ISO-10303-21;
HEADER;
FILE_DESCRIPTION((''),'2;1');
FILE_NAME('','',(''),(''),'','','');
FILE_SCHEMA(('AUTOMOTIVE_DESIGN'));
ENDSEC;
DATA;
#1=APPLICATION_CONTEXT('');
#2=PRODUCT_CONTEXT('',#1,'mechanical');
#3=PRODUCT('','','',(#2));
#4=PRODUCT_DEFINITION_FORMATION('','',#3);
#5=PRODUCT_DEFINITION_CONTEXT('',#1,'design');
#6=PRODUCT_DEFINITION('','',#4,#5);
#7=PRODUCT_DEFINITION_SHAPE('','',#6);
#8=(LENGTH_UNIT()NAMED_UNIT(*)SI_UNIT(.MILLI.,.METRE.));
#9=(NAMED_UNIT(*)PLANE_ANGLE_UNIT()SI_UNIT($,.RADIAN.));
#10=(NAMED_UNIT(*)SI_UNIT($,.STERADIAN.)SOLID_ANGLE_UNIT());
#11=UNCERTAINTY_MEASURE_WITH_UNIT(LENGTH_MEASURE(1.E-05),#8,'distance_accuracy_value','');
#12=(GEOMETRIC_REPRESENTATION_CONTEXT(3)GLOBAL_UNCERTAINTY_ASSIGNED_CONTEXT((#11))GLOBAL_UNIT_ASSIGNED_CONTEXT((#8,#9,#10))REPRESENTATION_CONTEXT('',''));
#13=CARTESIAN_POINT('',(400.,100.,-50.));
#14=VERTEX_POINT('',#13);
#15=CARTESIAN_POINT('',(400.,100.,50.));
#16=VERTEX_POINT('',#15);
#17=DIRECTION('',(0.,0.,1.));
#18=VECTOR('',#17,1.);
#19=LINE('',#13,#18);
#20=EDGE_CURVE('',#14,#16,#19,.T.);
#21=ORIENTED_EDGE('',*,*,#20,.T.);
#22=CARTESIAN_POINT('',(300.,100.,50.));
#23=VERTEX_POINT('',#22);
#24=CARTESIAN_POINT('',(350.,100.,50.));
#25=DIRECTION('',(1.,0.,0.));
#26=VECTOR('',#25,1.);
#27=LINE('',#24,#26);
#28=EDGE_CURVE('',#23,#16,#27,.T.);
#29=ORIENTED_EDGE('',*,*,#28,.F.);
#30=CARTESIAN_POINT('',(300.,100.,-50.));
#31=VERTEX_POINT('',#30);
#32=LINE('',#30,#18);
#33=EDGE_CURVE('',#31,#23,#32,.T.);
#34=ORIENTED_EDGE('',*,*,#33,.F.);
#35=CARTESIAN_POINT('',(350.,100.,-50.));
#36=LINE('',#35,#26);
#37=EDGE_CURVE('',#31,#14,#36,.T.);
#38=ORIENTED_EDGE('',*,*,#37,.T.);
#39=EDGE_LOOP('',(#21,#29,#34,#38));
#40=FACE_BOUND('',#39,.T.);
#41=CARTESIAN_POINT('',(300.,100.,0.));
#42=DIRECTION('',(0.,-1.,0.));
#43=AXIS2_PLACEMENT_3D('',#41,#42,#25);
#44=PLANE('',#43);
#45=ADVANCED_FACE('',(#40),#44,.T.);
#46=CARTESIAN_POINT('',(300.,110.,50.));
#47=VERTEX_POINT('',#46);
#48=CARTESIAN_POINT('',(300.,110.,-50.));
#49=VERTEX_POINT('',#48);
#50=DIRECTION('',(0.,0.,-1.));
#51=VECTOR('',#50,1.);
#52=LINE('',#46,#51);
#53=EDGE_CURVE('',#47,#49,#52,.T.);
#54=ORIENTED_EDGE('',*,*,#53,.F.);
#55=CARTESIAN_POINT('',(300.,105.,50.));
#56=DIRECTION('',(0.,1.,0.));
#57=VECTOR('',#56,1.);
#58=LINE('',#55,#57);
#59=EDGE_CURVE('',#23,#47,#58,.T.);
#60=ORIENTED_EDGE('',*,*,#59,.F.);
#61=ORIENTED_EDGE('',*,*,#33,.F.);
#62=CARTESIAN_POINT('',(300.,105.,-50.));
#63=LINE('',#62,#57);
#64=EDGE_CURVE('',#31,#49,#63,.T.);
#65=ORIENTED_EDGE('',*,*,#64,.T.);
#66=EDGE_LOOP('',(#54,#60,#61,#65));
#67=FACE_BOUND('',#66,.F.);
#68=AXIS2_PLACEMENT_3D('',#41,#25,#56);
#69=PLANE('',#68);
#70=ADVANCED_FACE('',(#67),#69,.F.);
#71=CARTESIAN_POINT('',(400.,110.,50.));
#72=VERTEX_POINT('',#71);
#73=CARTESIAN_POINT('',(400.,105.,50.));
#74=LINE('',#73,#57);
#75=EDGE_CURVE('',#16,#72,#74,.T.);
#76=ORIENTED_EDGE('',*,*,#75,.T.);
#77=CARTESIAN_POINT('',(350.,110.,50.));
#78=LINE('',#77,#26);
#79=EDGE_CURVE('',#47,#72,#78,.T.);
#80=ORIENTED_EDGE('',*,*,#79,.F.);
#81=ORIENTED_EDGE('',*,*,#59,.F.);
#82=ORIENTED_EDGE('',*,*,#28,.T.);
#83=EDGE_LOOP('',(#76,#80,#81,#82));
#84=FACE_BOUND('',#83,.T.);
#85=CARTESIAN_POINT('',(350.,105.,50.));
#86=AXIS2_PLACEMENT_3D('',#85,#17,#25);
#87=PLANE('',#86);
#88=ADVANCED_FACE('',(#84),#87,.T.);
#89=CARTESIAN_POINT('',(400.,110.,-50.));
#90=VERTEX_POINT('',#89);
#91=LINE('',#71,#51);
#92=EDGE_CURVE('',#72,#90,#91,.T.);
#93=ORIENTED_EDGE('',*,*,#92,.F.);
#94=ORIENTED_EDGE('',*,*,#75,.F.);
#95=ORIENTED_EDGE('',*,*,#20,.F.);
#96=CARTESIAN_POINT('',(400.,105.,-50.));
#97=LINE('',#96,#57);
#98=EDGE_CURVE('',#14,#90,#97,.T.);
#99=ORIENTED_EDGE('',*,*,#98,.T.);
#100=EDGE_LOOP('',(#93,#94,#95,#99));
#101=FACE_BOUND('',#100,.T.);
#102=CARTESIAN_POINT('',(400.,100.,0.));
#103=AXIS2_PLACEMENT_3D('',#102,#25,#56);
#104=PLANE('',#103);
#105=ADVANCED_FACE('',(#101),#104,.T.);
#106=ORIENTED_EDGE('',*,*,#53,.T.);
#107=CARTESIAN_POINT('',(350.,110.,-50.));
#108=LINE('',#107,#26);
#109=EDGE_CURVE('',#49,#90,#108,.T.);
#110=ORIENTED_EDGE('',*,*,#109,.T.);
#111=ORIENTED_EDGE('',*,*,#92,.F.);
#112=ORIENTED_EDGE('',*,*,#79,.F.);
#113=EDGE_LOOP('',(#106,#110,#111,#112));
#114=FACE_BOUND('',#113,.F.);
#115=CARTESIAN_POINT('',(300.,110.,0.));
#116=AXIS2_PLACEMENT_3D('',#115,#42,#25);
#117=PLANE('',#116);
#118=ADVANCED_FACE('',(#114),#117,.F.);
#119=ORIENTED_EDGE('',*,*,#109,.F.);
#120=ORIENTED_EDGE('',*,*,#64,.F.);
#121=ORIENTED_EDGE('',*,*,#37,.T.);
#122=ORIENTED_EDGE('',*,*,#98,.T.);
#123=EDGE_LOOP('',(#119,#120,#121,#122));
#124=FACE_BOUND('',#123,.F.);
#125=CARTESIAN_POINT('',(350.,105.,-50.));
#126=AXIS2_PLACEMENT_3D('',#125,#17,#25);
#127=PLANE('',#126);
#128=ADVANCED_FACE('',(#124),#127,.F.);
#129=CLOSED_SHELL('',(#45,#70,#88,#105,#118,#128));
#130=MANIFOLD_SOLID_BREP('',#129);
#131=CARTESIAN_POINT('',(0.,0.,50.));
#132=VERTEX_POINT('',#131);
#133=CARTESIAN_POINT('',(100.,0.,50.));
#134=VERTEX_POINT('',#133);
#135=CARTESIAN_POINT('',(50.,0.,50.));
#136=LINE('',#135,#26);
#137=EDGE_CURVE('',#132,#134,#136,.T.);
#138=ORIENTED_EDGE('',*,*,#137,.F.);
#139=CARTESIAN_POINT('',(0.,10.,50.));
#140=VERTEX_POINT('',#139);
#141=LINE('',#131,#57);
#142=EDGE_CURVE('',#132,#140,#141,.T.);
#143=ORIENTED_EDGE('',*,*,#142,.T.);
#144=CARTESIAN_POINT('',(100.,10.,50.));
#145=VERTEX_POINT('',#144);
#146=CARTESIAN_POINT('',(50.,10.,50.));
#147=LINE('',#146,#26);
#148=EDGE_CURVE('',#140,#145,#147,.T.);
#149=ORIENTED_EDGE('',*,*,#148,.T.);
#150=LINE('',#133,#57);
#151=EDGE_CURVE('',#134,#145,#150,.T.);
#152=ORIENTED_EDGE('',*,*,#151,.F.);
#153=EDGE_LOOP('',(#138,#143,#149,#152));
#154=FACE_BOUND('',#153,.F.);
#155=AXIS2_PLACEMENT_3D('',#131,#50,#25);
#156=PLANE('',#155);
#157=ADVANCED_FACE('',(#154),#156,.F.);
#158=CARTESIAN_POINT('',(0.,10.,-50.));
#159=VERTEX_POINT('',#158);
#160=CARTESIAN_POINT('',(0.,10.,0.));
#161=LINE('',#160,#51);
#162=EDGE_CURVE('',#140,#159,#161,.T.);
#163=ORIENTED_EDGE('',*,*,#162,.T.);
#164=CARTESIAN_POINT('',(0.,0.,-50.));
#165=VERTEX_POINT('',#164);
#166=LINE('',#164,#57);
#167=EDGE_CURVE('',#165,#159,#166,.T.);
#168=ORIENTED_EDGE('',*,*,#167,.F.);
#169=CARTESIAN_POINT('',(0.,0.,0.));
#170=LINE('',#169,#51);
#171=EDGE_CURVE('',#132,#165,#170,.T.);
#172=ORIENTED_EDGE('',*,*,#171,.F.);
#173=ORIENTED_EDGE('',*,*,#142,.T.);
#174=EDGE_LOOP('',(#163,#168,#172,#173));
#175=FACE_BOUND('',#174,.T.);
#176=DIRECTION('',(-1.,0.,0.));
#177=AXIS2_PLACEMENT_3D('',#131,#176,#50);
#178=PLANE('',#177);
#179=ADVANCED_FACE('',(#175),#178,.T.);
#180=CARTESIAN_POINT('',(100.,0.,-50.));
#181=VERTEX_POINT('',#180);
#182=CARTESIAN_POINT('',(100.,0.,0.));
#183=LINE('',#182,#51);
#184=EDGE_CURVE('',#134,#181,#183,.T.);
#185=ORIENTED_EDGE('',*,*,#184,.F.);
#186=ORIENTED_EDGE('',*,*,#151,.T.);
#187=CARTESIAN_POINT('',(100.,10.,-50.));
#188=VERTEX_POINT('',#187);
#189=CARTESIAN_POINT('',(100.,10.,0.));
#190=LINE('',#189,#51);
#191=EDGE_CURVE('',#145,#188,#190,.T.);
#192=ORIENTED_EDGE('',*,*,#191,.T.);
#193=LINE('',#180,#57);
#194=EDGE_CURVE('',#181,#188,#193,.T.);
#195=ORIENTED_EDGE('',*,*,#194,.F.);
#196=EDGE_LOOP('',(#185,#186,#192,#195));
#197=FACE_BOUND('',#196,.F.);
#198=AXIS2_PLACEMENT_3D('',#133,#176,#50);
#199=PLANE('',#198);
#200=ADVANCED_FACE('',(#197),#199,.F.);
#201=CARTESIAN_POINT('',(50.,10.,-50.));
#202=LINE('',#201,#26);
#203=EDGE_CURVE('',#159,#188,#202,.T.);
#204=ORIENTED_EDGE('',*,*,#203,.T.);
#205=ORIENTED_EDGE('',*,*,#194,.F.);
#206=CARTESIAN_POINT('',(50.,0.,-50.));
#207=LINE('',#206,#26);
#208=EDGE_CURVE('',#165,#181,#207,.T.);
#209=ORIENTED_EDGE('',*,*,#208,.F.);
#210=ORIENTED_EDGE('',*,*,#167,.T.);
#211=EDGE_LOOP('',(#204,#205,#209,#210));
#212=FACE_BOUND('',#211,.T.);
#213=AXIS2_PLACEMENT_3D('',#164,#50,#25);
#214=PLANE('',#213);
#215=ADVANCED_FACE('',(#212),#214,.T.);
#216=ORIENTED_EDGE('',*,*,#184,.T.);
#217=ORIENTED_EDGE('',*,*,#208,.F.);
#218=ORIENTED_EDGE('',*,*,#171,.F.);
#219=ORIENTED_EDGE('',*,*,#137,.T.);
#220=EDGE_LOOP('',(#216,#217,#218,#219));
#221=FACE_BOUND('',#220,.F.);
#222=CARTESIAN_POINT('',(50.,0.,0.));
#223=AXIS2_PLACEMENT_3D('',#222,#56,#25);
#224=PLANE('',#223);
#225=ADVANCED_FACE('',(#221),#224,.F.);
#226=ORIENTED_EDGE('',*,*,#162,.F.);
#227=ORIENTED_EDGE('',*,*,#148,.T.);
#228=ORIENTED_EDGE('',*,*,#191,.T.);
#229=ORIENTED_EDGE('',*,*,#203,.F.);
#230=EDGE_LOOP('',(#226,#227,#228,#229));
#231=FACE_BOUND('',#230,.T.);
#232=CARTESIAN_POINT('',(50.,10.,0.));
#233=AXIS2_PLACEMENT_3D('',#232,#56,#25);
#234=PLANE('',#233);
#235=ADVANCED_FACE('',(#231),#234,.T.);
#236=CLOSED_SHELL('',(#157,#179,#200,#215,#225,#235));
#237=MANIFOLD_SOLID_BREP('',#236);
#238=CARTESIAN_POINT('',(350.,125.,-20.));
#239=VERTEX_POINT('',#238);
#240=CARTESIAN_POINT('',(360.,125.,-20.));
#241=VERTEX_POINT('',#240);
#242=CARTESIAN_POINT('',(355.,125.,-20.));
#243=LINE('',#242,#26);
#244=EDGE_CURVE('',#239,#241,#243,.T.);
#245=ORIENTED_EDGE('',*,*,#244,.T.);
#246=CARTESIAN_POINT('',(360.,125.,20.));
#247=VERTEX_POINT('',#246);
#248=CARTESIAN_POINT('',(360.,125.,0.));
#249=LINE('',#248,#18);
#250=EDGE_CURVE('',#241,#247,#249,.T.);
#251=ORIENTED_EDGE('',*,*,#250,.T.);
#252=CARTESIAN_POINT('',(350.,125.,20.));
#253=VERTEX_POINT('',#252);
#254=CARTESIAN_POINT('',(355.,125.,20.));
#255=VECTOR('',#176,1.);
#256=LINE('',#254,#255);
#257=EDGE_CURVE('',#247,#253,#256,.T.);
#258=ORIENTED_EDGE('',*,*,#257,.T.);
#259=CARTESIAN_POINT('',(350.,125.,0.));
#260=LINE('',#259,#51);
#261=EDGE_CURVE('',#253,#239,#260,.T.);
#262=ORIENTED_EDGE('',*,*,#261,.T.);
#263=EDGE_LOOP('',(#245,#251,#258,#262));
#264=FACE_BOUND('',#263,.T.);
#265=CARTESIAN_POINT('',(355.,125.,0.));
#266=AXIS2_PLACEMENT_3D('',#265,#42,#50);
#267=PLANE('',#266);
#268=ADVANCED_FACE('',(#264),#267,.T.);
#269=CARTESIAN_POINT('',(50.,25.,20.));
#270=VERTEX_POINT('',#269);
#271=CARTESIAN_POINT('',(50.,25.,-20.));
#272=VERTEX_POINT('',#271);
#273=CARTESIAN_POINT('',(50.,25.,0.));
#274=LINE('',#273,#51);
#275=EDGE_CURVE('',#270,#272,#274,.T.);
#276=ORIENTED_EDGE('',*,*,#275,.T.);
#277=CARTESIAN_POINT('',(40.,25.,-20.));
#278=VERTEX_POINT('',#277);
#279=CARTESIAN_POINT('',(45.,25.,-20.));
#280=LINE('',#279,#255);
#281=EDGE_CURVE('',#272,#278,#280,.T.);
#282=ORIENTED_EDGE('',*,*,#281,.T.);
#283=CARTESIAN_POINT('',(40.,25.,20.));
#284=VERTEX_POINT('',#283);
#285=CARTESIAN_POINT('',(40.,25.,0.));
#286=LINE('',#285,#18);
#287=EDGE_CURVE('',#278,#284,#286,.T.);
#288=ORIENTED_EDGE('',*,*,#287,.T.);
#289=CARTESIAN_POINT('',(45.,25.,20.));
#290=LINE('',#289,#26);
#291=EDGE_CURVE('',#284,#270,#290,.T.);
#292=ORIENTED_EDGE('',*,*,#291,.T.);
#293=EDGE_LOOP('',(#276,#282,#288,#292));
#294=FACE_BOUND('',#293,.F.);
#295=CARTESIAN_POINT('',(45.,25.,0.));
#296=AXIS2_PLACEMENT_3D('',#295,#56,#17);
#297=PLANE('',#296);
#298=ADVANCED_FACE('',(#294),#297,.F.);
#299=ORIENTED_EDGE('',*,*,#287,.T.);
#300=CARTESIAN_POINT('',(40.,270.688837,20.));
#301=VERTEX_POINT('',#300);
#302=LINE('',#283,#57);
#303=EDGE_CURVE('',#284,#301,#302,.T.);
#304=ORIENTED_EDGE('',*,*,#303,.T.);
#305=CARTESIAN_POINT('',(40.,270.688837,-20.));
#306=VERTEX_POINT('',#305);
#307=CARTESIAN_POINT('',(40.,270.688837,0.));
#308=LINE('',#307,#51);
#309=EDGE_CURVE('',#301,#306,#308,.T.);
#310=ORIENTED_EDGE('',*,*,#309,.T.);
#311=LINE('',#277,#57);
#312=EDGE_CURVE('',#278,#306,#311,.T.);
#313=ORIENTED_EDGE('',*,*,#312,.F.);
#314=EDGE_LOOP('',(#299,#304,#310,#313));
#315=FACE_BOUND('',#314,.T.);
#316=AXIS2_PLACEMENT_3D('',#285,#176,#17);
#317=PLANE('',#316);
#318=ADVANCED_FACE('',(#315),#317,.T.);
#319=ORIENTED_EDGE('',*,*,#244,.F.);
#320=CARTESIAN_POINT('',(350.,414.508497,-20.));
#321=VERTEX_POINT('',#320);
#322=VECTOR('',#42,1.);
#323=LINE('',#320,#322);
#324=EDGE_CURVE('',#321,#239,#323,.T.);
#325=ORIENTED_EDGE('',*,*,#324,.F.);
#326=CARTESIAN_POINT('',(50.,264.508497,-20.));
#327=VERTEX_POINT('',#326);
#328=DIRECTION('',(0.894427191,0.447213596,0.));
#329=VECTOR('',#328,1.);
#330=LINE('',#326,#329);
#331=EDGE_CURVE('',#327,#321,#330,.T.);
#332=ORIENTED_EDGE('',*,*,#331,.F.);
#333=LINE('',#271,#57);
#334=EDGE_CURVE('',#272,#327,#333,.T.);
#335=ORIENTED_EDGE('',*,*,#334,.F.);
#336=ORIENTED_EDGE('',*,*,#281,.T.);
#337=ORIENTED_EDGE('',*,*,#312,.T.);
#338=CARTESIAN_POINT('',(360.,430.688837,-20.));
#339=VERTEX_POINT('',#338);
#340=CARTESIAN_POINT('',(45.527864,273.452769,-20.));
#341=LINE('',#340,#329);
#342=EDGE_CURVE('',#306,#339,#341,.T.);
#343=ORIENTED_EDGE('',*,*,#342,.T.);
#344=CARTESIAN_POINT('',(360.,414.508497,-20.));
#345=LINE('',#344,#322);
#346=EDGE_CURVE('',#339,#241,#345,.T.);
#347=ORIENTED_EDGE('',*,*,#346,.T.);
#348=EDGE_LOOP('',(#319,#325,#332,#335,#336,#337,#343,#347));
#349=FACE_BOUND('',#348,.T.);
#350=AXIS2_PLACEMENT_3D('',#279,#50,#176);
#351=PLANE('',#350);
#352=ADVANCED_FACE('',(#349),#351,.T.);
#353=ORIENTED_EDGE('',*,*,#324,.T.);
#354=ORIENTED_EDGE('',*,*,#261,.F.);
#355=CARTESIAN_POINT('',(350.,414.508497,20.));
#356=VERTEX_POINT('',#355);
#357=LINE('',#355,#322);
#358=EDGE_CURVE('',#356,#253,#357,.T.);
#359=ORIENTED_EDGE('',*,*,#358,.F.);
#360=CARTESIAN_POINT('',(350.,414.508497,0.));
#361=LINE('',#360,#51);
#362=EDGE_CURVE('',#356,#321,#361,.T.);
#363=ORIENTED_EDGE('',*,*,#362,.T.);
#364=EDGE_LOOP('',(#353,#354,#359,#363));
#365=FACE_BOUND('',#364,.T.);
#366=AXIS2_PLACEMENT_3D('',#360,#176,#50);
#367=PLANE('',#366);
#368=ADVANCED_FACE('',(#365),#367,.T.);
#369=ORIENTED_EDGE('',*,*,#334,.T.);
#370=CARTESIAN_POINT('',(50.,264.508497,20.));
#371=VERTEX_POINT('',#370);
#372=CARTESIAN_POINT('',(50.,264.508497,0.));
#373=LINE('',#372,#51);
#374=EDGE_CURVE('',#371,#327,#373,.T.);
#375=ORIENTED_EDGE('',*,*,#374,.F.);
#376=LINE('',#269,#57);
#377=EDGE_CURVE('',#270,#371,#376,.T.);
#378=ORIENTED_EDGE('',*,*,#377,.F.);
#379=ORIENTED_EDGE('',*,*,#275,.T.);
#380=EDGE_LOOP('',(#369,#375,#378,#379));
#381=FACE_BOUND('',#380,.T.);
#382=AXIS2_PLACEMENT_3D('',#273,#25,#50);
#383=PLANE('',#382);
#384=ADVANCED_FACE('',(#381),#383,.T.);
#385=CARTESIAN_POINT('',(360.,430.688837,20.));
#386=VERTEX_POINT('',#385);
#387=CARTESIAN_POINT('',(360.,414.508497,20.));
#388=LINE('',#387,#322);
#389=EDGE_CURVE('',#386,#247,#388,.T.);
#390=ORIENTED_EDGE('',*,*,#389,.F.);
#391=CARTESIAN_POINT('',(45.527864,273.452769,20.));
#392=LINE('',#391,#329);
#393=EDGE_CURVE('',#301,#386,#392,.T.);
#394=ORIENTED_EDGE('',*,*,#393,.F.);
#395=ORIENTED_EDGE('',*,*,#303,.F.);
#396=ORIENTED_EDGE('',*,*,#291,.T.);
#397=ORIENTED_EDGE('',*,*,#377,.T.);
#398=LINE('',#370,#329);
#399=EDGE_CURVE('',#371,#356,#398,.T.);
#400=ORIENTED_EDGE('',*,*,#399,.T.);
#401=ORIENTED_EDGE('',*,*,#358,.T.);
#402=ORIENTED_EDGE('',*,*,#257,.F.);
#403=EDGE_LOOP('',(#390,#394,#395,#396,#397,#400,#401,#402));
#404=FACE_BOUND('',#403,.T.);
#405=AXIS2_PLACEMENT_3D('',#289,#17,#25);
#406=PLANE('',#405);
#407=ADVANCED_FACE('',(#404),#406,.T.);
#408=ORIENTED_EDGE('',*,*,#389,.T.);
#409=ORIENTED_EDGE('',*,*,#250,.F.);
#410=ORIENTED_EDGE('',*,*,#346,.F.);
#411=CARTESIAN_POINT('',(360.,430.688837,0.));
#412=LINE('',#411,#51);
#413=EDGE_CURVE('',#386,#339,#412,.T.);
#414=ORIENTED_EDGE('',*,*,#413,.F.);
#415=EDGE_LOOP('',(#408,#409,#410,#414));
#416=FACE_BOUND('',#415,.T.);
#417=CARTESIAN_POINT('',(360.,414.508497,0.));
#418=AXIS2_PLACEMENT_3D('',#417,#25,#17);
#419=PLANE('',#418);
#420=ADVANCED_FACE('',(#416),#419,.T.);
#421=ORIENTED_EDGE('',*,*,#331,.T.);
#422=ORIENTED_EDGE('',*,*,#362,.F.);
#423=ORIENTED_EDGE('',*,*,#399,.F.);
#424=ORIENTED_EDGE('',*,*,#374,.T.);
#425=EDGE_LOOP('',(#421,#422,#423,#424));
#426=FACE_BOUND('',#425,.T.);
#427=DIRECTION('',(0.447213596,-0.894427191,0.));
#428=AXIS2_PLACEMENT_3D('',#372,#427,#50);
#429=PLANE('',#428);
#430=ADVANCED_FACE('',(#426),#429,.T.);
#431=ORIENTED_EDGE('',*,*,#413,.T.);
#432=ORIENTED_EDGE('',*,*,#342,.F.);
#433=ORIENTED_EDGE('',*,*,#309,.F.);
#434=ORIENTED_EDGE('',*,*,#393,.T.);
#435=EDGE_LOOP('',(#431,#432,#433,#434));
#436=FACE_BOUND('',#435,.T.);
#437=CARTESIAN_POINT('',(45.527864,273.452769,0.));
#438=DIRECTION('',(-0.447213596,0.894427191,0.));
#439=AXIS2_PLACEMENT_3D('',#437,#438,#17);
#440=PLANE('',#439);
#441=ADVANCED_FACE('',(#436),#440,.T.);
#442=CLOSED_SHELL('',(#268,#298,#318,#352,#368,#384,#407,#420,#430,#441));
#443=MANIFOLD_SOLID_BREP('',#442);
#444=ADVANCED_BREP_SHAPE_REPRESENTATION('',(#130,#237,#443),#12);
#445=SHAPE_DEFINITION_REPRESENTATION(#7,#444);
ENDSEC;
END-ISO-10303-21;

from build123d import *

# Parameters (mm, degrees)
SKIZZE1_W                       = 100
SKIZZE1_H                       = 100
AUFSATZ_LINEAR_AUSTRAGEN1_DEPTH = 10
SKIZZE2_W                       = 100
SKIZZE2_H                       = 10
AUFSATZ_LINEAR_AUSTRAGEN2_DEPTH = 50
SKIZZE5_W                       = 10
SKIZZE5_H                       = 40


with BuildPart() as part:
    # Skizze1 → Aufsatz-Linear austragen1 (new body)
    with BuildSketch(Plane(origin=(0, 0, 0), x_dir=(1, 0, 0), z_dir=(0, 1, 0))):
        with Locations((50, 0)):
            Rectangle(SKIZZE1_W, SKIZZE1_H)
    extrude(amount=AUFSATZ_LINEAR_AUSTRAGEN1_DEPTH)


with BuildPart() as body_2:
    # Skizze2 → Aufsatz-Linear austragen2 (new body, symmetric)
    with BuildSketch(Plane.XY):
        with Locations((350, 105)):
            Rectangle(SKIZZE2_W, SKIZZE2_H)
    extrude(amount=AUFSATZ_LINEAR_AUSTRAGEN2_DEPTH, both=True)


with BuildPart() as body_3:
    # Austragung2: sweep along a path in Skizze3
    with BuildLine(Plane.XY) as austragung2_path:
        Line((50, 25), (50, 264.508497187))
        Line((50, 264.508497187), (350, 414.508497187))
        Line((350, 414.508497187), (350, 125))
    # Skizze5 → Austragung2 (sweep)
    with BuildSketch(Plane(origin=(0, 25, 0), x_dir=(1, 0, 0), z_dir=(0, 1, 0))):
        with Locations((45, 0)):
            Rectangle(SKIZZE5_W, SKIZZE5_H)
    sweep(path=austragung2_path.line, transition=Transition.RIGHT)


solid = Compound([part.part, body_2.part, body_3.part])
